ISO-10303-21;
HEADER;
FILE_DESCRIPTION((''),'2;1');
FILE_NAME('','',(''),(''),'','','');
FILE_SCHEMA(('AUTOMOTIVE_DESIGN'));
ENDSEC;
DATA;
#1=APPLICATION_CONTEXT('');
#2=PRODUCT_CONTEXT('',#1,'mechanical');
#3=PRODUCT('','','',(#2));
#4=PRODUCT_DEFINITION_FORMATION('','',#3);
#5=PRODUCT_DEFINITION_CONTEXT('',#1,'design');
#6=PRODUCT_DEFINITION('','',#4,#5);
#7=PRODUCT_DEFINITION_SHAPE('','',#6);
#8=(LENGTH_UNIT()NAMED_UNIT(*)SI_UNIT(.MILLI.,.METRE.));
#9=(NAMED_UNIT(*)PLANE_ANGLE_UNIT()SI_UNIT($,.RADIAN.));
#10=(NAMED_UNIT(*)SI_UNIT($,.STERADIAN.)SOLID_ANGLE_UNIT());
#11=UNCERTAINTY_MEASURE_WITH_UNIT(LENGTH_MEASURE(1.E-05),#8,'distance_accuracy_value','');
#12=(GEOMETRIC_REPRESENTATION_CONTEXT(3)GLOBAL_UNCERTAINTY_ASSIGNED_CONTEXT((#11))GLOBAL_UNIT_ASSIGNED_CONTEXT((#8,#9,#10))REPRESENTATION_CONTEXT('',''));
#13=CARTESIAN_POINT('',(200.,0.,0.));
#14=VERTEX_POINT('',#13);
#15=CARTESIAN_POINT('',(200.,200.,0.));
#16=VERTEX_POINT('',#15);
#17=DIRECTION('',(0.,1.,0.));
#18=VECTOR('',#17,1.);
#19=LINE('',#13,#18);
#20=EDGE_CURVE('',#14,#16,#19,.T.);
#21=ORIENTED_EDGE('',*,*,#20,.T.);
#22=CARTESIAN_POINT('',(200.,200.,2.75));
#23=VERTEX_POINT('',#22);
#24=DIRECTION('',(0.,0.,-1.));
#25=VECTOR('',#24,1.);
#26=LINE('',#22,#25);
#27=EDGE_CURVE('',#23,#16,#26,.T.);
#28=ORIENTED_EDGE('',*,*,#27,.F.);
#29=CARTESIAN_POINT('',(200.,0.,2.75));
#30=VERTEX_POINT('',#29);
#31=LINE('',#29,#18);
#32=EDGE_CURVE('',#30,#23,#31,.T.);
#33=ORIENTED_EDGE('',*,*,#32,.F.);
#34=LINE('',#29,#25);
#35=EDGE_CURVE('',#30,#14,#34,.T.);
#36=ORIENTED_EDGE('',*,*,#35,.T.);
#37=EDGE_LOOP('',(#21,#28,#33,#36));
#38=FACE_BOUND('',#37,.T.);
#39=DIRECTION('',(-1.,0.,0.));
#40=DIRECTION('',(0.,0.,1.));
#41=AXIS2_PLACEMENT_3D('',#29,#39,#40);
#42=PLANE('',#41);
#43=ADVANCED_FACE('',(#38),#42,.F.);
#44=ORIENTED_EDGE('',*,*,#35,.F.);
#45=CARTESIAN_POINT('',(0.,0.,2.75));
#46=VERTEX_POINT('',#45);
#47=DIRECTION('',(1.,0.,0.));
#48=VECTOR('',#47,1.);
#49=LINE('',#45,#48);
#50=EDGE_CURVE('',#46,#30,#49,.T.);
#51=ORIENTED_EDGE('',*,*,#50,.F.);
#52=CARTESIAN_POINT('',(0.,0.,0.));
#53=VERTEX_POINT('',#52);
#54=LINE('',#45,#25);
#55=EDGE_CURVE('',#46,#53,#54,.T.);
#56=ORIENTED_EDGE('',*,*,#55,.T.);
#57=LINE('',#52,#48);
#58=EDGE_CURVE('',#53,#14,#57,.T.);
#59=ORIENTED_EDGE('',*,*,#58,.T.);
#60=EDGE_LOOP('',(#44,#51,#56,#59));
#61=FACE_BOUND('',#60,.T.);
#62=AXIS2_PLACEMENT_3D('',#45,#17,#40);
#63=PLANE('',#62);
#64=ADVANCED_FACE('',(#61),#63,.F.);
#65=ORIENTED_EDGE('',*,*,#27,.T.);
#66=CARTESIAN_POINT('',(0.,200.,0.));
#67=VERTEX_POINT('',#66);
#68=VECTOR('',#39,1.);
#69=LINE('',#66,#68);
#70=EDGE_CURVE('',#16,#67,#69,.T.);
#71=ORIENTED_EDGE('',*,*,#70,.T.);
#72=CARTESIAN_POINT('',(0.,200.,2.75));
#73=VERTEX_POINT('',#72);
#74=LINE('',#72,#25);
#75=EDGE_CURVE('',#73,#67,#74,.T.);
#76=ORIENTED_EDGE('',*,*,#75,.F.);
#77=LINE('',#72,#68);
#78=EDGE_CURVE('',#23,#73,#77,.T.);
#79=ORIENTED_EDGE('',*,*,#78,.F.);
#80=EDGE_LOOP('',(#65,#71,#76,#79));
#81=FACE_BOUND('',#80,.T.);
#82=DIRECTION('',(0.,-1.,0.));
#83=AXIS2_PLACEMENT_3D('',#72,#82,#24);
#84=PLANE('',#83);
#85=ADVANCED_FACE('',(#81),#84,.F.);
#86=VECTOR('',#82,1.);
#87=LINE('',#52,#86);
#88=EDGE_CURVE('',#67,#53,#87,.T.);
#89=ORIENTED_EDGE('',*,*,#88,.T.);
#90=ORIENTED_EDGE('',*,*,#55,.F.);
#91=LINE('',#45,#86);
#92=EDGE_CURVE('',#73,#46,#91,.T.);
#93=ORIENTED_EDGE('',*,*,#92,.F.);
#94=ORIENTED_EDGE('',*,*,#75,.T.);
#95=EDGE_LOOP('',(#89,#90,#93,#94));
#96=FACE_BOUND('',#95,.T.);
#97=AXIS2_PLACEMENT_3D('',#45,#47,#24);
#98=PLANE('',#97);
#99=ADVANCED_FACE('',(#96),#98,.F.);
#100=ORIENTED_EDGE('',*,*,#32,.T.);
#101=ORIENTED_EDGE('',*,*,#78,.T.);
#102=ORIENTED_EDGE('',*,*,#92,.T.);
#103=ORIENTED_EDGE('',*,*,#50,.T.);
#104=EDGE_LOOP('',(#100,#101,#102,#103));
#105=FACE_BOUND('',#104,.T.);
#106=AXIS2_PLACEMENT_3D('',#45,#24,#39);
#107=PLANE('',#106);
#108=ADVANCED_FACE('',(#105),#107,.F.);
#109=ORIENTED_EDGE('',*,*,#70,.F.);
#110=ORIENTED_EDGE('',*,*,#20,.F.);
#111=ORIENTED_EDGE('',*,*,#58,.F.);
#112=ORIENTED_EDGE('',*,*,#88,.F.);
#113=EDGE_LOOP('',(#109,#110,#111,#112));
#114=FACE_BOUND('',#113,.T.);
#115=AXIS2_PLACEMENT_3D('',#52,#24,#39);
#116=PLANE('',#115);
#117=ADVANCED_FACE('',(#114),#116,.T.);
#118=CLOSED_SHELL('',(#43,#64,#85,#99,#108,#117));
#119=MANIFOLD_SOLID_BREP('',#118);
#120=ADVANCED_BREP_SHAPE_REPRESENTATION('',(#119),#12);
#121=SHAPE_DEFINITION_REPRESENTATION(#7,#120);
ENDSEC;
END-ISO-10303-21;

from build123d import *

# Parameters (mm, degrees)
SKETCH_1_W      = 200
SKETCH_1_H      = 200
EXTRUDE_1_DEPTH = 2.75


with BuildPart() as part:
    # 草图1 → 凸台-拉伸1 (new body)
    with BuildSketch(Plane.XY):
        with Locations((100, 100)):
            Rectangle(SKETCH_1_W, SKETCH_1_H)
    extrude(amount=EXTRUDE_1_DEPTH)


solid = part.part
